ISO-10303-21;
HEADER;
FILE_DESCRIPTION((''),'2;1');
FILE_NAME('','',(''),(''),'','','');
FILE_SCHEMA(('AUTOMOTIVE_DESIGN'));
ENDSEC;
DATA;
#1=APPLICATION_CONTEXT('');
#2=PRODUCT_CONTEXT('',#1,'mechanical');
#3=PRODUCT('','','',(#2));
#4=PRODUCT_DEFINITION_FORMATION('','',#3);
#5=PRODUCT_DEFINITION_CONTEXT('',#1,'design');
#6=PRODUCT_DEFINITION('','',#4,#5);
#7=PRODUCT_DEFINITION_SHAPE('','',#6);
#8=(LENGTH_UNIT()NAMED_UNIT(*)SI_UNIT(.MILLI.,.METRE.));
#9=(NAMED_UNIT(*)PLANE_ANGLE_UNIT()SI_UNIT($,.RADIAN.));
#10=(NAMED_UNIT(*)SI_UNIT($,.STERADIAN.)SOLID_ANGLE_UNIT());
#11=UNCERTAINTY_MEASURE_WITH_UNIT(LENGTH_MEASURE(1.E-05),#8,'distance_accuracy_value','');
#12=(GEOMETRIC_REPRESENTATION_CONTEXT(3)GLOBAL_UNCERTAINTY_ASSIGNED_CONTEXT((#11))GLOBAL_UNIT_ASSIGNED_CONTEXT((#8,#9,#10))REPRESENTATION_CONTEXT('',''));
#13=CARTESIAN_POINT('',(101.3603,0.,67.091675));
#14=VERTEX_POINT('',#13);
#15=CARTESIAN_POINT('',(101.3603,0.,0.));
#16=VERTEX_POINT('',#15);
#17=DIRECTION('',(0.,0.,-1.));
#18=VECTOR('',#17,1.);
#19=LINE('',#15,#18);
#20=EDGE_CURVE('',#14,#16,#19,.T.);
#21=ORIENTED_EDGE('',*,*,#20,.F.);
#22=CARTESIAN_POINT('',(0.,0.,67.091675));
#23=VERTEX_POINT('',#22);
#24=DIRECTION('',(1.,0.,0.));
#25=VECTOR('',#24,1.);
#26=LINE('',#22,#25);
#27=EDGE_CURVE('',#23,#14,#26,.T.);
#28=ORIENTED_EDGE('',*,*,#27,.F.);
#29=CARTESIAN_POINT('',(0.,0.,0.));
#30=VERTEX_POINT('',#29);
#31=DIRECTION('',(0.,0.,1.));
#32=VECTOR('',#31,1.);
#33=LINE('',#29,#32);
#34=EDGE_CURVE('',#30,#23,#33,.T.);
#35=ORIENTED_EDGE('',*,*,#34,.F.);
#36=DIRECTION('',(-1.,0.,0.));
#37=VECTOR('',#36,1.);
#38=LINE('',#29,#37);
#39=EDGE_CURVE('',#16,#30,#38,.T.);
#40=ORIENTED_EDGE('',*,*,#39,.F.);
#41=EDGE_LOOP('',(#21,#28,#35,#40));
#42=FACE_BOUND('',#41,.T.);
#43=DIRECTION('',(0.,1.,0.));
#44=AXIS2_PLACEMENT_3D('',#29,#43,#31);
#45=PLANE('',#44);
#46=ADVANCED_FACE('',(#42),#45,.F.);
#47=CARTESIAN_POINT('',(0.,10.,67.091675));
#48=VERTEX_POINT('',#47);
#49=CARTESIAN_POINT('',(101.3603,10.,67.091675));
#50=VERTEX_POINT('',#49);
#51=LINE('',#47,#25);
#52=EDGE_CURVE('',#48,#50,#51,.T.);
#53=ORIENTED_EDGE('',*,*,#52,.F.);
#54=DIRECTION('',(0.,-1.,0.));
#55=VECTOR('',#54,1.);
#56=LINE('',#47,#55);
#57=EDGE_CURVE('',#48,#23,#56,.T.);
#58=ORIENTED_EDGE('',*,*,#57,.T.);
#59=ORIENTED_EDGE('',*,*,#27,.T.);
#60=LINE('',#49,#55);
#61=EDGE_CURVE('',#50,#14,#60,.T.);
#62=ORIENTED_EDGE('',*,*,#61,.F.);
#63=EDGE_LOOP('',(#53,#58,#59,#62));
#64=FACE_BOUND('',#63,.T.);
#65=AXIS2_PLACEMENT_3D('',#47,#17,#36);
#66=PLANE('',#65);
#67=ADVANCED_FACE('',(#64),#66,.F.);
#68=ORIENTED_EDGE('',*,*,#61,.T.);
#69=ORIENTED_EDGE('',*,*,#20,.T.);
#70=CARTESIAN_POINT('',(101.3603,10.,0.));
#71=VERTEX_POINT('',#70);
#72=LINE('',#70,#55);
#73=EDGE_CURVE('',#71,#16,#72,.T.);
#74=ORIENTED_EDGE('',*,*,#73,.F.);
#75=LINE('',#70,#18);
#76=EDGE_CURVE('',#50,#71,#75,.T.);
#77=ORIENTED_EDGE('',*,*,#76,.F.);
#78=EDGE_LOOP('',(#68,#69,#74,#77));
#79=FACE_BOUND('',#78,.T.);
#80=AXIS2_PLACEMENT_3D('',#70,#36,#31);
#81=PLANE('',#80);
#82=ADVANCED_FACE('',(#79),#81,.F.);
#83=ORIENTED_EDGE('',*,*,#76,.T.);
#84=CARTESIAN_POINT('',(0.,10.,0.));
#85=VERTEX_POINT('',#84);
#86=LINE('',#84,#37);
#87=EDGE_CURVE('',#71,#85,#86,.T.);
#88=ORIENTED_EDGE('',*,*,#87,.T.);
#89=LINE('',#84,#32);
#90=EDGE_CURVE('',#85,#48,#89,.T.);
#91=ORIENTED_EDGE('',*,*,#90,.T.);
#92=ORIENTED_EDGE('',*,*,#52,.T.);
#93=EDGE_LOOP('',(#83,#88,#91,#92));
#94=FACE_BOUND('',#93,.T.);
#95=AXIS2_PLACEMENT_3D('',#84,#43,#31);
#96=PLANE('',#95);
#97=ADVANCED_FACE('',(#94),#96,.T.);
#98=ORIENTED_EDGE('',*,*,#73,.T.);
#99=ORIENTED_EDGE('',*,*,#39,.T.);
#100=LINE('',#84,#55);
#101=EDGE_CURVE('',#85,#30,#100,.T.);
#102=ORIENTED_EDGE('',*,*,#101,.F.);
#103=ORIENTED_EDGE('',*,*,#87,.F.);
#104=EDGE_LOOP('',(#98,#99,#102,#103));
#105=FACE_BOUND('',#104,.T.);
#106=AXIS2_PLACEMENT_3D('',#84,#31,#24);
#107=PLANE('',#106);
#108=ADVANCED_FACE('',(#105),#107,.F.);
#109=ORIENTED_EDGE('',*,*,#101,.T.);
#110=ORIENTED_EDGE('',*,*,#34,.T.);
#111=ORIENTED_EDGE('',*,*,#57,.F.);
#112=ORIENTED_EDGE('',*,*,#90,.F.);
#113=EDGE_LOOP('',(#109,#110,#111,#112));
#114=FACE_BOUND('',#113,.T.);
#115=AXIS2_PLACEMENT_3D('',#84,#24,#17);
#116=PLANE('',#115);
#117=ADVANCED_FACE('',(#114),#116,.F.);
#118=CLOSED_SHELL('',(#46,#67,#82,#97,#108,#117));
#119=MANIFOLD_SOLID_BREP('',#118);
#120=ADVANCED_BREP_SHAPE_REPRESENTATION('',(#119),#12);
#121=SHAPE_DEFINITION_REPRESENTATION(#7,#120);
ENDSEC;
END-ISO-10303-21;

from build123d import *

# Parameters (mm, degrees)
SKETCH_1_W      = 101.360299963
SKETCH_1_H      = 67.091675059
EXTRUDE_1_DEPTH = 10


with BuildPart() as part:
    # 草图1 → 凸台-拉伸1 (new body)
    with BuildSketch(Plane(origin=(0, 0, 0), x_dir=(1, 0, 0), z_dir=(0, 1, 0))):
        with Locations((50.680149982, -33.54583753)):
            Rectangle(SKETCH_1_W, SKETCH_1_H)
    extrude(amount=EXTRUDE_1_DEPTH)


solid = part.part
